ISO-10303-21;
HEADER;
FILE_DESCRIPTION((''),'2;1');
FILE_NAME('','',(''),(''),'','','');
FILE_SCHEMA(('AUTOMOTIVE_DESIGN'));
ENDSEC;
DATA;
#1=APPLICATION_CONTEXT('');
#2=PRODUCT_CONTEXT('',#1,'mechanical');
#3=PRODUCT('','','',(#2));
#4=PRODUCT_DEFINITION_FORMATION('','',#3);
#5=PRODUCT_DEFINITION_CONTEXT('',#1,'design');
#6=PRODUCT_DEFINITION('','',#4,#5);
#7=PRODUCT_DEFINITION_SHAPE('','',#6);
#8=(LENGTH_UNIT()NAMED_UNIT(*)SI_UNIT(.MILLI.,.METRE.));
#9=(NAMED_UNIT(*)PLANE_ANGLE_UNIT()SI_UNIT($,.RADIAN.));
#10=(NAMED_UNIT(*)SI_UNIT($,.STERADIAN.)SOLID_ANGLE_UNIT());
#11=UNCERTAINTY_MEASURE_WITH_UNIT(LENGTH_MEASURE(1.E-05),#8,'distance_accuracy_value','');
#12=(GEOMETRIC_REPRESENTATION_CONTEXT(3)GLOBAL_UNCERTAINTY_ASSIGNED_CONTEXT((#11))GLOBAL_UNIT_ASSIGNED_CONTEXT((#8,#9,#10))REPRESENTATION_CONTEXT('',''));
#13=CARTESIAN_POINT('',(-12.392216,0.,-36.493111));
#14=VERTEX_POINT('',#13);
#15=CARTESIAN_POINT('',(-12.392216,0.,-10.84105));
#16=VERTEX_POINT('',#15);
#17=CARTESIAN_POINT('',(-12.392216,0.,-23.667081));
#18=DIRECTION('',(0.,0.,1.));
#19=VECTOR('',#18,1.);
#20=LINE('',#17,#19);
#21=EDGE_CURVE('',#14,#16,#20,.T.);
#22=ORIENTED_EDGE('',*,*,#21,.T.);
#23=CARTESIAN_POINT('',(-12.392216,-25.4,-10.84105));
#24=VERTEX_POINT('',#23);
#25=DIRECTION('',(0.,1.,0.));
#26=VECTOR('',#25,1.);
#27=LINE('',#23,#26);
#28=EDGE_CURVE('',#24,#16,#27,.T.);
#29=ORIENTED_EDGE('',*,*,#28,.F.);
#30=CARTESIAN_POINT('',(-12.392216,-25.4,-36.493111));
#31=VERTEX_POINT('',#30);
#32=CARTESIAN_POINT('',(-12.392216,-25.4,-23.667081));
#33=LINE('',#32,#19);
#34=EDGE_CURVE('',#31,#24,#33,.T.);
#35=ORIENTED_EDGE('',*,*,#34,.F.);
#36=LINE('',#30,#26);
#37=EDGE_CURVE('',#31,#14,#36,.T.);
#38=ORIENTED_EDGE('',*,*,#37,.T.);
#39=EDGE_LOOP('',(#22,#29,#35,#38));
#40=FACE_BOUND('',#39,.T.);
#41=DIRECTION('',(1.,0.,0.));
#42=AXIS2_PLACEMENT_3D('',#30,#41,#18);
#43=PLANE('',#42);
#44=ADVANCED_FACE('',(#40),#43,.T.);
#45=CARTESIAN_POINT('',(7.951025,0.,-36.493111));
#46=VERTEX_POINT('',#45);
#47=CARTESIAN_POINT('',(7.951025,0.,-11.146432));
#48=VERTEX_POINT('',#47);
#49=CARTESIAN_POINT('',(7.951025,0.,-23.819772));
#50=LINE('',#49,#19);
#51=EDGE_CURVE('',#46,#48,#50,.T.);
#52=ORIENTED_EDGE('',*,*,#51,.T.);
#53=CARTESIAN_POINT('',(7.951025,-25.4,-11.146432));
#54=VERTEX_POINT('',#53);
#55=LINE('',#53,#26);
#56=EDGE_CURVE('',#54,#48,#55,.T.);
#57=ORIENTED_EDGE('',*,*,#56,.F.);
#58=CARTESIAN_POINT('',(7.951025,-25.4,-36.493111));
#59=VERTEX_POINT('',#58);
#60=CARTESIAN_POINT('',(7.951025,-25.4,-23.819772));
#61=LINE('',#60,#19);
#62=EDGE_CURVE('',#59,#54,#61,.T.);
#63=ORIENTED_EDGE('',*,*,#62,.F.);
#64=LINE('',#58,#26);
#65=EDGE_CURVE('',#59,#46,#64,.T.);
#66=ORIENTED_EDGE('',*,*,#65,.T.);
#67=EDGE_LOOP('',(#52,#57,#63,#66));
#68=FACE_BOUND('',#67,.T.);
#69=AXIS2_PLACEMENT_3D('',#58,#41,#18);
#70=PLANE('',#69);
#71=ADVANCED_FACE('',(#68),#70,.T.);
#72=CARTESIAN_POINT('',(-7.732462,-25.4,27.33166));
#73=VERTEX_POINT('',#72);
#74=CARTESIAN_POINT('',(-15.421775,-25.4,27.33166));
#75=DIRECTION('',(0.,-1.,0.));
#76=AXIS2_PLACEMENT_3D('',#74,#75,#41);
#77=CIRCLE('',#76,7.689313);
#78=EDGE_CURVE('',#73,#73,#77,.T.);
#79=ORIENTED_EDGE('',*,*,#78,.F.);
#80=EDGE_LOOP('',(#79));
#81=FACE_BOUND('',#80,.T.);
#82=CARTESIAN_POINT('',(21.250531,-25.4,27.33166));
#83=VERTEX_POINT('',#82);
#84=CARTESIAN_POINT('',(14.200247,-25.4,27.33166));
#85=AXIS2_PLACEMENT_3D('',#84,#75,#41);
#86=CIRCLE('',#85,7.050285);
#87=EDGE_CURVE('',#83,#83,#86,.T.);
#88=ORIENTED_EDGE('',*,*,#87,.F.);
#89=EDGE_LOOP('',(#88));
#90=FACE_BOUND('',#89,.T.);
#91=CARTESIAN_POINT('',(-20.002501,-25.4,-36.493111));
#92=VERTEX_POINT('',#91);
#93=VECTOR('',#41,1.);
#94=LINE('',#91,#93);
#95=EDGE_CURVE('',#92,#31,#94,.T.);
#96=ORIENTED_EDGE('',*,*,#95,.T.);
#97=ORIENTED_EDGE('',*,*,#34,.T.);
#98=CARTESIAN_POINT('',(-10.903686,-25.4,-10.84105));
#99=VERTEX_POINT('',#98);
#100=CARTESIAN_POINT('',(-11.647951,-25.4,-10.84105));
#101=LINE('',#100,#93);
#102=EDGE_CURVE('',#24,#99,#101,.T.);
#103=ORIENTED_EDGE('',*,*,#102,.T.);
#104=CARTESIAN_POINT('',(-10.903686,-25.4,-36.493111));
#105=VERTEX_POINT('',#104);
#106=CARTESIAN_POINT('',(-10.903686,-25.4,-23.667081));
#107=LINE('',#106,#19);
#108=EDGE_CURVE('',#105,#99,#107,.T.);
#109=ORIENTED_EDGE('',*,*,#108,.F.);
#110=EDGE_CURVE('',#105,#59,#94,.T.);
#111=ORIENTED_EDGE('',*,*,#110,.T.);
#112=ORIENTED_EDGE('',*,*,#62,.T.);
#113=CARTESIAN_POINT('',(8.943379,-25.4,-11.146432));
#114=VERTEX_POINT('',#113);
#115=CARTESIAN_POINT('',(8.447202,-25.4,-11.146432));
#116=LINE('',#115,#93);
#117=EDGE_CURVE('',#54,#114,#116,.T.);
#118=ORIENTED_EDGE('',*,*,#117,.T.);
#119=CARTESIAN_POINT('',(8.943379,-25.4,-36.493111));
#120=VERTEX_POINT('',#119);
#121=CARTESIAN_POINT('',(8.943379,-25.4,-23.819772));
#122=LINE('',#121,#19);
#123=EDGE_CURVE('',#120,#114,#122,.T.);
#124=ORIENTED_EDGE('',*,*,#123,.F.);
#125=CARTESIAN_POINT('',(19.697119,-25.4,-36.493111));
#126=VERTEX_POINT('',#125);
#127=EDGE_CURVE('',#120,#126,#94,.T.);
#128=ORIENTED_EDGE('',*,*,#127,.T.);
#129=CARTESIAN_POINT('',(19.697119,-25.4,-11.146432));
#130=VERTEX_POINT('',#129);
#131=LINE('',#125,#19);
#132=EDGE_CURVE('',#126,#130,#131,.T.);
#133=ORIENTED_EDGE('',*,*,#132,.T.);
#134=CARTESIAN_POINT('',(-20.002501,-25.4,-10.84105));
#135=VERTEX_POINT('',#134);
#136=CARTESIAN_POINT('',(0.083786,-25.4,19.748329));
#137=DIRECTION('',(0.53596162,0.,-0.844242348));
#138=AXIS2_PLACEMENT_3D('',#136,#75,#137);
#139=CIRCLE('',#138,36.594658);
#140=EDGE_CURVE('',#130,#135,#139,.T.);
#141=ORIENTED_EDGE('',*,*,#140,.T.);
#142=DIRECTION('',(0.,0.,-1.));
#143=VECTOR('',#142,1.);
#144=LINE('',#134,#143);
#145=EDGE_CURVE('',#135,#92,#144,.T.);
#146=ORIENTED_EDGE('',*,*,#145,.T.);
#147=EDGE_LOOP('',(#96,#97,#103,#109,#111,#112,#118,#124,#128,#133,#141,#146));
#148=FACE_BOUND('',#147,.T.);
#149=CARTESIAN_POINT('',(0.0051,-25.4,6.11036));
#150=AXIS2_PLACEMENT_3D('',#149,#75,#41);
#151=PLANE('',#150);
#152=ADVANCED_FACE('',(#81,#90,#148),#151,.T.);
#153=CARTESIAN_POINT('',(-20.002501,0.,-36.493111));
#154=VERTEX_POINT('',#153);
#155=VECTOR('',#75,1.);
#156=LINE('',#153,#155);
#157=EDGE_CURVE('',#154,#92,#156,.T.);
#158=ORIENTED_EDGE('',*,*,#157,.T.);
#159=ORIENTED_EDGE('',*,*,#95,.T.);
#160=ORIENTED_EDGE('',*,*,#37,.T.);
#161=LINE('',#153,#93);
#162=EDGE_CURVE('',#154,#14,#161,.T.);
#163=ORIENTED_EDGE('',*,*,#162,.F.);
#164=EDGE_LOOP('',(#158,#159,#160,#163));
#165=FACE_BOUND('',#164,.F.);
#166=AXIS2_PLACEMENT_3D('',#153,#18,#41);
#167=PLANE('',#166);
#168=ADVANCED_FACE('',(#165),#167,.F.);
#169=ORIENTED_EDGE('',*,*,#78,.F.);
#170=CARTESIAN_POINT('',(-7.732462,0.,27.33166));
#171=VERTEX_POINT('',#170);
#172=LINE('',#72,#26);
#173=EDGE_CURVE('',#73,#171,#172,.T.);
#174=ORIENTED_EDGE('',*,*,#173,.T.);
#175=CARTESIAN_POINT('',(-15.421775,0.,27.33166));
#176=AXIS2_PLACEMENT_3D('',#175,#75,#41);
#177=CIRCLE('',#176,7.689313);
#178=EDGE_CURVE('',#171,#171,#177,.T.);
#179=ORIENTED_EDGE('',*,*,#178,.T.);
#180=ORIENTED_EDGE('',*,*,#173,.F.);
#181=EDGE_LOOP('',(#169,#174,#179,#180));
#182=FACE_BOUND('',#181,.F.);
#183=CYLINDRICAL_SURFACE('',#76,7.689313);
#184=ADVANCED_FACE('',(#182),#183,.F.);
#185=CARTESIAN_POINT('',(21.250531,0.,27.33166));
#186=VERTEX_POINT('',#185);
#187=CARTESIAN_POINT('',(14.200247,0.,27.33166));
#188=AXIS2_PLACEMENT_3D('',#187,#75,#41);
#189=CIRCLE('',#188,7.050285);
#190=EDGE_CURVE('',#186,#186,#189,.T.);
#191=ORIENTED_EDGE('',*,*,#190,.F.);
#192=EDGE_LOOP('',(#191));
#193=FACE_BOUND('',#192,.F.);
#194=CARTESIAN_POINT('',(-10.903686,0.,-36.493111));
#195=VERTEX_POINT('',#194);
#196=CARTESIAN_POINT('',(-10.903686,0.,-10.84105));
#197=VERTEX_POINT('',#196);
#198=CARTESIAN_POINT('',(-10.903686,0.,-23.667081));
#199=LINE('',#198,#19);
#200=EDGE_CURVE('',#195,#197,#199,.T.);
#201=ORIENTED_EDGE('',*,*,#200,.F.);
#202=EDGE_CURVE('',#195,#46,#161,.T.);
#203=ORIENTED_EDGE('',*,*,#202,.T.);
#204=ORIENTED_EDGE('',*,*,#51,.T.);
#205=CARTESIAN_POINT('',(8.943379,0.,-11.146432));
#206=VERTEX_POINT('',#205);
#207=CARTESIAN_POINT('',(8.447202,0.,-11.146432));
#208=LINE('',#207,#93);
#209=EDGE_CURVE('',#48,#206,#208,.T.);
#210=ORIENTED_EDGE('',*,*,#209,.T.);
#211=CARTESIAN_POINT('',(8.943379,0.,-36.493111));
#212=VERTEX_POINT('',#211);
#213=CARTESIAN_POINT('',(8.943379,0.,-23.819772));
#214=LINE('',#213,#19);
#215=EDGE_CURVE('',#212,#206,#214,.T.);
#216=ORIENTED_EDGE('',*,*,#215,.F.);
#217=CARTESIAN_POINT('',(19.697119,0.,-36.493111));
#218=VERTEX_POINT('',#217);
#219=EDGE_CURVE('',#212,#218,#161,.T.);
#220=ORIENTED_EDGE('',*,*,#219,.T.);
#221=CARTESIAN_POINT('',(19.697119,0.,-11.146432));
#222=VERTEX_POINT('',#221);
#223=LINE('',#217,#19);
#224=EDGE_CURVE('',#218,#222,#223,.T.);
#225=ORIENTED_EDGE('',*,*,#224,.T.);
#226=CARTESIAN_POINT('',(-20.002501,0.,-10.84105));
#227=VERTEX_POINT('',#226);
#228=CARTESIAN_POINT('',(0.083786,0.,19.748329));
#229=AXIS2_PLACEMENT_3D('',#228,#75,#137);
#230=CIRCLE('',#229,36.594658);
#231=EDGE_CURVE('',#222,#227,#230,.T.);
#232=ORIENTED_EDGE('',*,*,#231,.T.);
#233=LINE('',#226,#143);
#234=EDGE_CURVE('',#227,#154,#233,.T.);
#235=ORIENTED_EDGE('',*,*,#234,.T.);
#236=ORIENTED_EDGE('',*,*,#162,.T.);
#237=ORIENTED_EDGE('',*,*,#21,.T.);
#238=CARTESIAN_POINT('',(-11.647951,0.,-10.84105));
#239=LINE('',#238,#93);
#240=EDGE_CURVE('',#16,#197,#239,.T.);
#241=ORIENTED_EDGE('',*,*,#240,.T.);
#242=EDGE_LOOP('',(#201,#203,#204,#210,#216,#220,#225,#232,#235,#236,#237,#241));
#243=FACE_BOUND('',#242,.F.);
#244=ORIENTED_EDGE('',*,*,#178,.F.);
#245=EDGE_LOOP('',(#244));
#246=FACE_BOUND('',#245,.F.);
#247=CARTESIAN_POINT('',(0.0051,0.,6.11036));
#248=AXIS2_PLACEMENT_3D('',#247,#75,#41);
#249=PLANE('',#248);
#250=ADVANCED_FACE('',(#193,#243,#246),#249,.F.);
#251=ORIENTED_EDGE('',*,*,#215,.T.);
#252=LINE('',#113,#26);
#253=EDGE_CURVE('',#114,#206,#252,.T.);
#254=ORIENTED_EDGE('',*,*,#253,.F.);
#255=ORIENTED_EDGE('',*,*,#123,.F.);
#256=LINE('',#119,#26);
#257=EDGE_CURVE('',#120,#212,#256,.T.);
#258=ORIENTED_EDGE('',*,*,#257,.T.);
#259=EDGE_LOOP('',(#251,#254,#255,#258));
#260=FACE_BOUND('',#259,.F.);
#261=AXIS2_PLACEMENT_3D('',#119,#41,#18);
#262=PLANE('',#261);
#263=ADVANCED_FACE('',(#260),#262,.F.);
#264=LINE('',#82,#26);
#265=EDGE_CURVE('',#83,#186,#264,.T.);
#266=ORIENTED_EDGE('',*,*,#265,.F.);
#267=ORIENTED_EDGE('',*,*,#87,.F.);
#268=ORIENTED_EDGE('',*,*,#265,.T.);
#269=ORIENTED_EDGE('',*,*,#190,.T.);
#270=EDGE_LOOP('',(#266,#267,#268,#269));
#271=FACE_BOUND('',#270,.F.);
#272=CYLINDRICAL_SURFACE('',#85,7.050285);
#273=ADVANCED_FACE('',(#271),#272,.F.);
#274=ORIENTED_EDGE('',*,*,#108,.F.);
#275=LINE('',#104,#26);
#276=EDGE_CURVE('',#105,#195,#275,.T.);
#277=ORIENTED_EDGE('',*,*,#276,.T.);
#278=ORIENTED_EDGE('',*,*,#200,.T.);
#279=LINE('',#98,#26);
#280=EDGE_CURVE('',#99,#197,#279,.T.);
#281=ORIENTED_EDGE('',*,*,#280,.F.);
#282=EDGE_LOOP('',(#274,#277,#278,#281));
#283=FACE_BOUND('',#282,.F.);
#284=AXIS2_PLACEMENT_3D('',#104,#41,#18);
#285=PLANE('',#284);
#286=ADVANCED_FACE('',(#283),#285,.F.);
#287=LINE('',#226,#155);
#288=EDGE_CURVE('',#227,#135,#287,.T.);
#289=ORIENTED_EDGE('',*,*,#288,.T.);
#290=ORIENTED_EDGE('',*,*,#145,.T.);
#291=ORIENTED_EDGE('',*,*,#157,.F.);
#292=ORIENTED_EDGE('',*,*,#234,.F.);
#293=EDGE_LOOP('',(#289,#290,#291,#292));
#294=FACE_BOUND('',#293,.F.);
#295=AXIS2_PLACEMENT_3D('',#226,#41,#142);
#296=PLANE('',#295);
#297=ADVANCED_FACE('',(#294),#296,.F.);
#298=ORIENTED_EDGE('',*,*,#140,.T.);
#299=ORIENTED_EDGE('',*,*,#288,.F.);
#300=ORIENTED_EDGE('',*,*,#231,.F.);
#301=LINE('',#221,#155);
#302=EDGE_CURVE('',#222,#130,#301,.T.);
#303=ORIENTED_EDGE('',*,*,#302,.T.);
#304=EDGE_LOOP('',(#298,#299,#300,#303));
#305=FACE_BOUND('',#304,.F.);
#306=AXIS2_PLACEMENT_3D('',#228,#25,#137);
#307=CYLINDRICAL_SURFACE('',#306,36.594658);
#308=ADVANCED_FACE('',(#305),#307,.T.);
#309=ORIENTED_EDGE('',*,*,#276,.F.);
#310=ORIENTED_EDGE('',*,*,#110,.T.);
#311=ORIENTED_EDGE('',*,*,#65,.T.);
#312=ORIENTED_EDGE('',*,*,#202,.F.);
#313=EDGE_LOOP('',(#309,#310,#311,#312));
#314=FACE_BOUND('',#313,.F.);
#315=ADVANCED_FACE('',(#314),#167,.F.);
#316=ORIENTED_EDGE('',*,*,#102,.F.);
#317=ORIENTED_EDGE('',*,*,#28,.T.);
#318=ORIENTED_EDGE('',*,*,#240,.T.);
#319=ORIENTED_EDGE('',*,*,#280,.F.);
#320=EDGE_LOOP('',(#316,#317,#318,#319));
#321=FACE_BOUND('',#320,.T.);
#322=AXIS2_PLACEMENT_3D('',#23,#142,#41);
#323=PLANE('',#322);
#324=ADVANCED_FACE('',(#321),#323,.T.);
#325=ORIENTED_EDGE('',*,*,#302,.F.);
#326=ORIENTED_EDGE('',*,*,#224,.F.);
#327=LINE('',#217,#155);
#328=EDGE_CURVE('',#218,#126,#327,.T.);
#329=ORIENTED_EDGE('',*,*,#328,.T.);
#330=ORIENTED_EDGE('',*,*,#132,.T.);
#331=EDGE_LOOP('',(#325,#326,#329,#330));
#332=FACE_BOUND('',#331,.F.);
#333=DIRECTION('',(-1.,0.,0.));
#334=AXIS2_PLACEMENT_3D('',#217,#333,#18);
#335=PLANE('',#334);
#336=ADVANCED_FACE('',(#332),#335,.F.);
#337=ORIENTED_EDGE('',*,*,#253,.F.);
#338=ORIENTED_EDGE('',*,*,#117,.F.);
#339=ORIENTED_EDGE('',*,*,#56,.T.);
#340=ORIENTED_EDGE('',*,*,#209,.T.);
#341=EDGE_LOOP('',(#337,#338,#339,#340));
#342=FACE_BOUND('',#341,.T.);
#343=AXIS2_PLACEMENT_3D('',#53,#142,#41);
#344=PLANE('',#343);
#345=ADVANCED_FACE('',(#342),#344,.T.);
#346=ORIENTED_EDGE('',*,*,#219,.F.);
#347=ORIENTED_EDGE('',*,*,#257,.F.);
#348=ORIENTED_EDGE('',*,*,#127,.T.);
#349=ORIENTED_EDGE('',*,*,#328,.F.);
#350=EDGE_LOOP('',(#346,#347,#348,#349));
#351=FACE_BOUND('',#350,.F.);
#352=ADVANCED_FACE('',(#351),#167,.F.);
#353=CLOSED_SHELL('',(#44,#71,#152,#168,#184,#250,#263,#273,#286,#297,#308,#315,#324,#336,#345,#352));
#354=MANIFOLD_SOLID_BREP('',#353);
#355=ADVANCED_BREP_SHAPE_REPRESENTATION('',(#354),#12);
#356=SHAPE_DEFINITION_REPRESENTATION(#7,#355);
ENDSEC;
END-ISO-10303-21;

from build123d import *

# Parameters (mm, degrees)
F1_DEPTH = 25.4
F2_W     = 1.488530077
F2_H     = 25.6520612165
F2_W_2   = 0.9923540056
F2_H_2   = 25.346679613
F3_DEPTH = 25.4
F4_R     = 7.6893132266
F4_R_2   = 7.0502845775
F5_DEPTH = 25.4


with BuildPart() as f1:
    # F0 (on Front) → F1 (new body)
    with BuildSketch(Plane.XZ):
        with BuildLine():
            Line((19.6971185505, -36.4931114018), (19.6971185505, -11.1464317888))
            ThreePointArc((19.6971185505, -11.1464317888), (0.3652750896, 56.3419043865), (-20.0025010854, -10.8410501853))
            Line((-20.0025010854, -10.8410501853), (-20.0025010854, -36.4931114018))
            Line((-20.0025010854, -36.4931114018), (-7.4818506837, -36.4931114018))
            Line((-7.4818506837, -36.4931114018), (6.8710884079, -36.4931114018))
            Line((6.8710884079, -36.4931114018), (19.6971185505, -36.4931114018))
        make_face()
    extrude(amount=F1_DEPTH)

    # F2 (on face) → F3 (cut)
    with BuildSketch(Plane.XZ.offset(25.4)):
        with Locations((-11.6479513235, -23.6670807935)):
            Rectangle(F2_W, F2_H)
        with Locations((8.4472019225, -23.8197715953)):
            Rectangle(F2_W_2, F2_H_2)
    extrude(amount=-F3_DEPTH, mode=Mode.SUBTRACT)

    # F4 (on face) → F5 (cut)
    with BuildSketch(Plane.XZ.offset(25.4)):
        with Locations((-15.4217751697, 27.3316595703)):
            Circle(F4_R)
        with Locations((14.2002468929, 27.3316595703)):
            Circle(F4_R_2)
    extrude(amount=-F5_DEPTH, mode=Mode.SUBTRACT)


solid = f1.part
